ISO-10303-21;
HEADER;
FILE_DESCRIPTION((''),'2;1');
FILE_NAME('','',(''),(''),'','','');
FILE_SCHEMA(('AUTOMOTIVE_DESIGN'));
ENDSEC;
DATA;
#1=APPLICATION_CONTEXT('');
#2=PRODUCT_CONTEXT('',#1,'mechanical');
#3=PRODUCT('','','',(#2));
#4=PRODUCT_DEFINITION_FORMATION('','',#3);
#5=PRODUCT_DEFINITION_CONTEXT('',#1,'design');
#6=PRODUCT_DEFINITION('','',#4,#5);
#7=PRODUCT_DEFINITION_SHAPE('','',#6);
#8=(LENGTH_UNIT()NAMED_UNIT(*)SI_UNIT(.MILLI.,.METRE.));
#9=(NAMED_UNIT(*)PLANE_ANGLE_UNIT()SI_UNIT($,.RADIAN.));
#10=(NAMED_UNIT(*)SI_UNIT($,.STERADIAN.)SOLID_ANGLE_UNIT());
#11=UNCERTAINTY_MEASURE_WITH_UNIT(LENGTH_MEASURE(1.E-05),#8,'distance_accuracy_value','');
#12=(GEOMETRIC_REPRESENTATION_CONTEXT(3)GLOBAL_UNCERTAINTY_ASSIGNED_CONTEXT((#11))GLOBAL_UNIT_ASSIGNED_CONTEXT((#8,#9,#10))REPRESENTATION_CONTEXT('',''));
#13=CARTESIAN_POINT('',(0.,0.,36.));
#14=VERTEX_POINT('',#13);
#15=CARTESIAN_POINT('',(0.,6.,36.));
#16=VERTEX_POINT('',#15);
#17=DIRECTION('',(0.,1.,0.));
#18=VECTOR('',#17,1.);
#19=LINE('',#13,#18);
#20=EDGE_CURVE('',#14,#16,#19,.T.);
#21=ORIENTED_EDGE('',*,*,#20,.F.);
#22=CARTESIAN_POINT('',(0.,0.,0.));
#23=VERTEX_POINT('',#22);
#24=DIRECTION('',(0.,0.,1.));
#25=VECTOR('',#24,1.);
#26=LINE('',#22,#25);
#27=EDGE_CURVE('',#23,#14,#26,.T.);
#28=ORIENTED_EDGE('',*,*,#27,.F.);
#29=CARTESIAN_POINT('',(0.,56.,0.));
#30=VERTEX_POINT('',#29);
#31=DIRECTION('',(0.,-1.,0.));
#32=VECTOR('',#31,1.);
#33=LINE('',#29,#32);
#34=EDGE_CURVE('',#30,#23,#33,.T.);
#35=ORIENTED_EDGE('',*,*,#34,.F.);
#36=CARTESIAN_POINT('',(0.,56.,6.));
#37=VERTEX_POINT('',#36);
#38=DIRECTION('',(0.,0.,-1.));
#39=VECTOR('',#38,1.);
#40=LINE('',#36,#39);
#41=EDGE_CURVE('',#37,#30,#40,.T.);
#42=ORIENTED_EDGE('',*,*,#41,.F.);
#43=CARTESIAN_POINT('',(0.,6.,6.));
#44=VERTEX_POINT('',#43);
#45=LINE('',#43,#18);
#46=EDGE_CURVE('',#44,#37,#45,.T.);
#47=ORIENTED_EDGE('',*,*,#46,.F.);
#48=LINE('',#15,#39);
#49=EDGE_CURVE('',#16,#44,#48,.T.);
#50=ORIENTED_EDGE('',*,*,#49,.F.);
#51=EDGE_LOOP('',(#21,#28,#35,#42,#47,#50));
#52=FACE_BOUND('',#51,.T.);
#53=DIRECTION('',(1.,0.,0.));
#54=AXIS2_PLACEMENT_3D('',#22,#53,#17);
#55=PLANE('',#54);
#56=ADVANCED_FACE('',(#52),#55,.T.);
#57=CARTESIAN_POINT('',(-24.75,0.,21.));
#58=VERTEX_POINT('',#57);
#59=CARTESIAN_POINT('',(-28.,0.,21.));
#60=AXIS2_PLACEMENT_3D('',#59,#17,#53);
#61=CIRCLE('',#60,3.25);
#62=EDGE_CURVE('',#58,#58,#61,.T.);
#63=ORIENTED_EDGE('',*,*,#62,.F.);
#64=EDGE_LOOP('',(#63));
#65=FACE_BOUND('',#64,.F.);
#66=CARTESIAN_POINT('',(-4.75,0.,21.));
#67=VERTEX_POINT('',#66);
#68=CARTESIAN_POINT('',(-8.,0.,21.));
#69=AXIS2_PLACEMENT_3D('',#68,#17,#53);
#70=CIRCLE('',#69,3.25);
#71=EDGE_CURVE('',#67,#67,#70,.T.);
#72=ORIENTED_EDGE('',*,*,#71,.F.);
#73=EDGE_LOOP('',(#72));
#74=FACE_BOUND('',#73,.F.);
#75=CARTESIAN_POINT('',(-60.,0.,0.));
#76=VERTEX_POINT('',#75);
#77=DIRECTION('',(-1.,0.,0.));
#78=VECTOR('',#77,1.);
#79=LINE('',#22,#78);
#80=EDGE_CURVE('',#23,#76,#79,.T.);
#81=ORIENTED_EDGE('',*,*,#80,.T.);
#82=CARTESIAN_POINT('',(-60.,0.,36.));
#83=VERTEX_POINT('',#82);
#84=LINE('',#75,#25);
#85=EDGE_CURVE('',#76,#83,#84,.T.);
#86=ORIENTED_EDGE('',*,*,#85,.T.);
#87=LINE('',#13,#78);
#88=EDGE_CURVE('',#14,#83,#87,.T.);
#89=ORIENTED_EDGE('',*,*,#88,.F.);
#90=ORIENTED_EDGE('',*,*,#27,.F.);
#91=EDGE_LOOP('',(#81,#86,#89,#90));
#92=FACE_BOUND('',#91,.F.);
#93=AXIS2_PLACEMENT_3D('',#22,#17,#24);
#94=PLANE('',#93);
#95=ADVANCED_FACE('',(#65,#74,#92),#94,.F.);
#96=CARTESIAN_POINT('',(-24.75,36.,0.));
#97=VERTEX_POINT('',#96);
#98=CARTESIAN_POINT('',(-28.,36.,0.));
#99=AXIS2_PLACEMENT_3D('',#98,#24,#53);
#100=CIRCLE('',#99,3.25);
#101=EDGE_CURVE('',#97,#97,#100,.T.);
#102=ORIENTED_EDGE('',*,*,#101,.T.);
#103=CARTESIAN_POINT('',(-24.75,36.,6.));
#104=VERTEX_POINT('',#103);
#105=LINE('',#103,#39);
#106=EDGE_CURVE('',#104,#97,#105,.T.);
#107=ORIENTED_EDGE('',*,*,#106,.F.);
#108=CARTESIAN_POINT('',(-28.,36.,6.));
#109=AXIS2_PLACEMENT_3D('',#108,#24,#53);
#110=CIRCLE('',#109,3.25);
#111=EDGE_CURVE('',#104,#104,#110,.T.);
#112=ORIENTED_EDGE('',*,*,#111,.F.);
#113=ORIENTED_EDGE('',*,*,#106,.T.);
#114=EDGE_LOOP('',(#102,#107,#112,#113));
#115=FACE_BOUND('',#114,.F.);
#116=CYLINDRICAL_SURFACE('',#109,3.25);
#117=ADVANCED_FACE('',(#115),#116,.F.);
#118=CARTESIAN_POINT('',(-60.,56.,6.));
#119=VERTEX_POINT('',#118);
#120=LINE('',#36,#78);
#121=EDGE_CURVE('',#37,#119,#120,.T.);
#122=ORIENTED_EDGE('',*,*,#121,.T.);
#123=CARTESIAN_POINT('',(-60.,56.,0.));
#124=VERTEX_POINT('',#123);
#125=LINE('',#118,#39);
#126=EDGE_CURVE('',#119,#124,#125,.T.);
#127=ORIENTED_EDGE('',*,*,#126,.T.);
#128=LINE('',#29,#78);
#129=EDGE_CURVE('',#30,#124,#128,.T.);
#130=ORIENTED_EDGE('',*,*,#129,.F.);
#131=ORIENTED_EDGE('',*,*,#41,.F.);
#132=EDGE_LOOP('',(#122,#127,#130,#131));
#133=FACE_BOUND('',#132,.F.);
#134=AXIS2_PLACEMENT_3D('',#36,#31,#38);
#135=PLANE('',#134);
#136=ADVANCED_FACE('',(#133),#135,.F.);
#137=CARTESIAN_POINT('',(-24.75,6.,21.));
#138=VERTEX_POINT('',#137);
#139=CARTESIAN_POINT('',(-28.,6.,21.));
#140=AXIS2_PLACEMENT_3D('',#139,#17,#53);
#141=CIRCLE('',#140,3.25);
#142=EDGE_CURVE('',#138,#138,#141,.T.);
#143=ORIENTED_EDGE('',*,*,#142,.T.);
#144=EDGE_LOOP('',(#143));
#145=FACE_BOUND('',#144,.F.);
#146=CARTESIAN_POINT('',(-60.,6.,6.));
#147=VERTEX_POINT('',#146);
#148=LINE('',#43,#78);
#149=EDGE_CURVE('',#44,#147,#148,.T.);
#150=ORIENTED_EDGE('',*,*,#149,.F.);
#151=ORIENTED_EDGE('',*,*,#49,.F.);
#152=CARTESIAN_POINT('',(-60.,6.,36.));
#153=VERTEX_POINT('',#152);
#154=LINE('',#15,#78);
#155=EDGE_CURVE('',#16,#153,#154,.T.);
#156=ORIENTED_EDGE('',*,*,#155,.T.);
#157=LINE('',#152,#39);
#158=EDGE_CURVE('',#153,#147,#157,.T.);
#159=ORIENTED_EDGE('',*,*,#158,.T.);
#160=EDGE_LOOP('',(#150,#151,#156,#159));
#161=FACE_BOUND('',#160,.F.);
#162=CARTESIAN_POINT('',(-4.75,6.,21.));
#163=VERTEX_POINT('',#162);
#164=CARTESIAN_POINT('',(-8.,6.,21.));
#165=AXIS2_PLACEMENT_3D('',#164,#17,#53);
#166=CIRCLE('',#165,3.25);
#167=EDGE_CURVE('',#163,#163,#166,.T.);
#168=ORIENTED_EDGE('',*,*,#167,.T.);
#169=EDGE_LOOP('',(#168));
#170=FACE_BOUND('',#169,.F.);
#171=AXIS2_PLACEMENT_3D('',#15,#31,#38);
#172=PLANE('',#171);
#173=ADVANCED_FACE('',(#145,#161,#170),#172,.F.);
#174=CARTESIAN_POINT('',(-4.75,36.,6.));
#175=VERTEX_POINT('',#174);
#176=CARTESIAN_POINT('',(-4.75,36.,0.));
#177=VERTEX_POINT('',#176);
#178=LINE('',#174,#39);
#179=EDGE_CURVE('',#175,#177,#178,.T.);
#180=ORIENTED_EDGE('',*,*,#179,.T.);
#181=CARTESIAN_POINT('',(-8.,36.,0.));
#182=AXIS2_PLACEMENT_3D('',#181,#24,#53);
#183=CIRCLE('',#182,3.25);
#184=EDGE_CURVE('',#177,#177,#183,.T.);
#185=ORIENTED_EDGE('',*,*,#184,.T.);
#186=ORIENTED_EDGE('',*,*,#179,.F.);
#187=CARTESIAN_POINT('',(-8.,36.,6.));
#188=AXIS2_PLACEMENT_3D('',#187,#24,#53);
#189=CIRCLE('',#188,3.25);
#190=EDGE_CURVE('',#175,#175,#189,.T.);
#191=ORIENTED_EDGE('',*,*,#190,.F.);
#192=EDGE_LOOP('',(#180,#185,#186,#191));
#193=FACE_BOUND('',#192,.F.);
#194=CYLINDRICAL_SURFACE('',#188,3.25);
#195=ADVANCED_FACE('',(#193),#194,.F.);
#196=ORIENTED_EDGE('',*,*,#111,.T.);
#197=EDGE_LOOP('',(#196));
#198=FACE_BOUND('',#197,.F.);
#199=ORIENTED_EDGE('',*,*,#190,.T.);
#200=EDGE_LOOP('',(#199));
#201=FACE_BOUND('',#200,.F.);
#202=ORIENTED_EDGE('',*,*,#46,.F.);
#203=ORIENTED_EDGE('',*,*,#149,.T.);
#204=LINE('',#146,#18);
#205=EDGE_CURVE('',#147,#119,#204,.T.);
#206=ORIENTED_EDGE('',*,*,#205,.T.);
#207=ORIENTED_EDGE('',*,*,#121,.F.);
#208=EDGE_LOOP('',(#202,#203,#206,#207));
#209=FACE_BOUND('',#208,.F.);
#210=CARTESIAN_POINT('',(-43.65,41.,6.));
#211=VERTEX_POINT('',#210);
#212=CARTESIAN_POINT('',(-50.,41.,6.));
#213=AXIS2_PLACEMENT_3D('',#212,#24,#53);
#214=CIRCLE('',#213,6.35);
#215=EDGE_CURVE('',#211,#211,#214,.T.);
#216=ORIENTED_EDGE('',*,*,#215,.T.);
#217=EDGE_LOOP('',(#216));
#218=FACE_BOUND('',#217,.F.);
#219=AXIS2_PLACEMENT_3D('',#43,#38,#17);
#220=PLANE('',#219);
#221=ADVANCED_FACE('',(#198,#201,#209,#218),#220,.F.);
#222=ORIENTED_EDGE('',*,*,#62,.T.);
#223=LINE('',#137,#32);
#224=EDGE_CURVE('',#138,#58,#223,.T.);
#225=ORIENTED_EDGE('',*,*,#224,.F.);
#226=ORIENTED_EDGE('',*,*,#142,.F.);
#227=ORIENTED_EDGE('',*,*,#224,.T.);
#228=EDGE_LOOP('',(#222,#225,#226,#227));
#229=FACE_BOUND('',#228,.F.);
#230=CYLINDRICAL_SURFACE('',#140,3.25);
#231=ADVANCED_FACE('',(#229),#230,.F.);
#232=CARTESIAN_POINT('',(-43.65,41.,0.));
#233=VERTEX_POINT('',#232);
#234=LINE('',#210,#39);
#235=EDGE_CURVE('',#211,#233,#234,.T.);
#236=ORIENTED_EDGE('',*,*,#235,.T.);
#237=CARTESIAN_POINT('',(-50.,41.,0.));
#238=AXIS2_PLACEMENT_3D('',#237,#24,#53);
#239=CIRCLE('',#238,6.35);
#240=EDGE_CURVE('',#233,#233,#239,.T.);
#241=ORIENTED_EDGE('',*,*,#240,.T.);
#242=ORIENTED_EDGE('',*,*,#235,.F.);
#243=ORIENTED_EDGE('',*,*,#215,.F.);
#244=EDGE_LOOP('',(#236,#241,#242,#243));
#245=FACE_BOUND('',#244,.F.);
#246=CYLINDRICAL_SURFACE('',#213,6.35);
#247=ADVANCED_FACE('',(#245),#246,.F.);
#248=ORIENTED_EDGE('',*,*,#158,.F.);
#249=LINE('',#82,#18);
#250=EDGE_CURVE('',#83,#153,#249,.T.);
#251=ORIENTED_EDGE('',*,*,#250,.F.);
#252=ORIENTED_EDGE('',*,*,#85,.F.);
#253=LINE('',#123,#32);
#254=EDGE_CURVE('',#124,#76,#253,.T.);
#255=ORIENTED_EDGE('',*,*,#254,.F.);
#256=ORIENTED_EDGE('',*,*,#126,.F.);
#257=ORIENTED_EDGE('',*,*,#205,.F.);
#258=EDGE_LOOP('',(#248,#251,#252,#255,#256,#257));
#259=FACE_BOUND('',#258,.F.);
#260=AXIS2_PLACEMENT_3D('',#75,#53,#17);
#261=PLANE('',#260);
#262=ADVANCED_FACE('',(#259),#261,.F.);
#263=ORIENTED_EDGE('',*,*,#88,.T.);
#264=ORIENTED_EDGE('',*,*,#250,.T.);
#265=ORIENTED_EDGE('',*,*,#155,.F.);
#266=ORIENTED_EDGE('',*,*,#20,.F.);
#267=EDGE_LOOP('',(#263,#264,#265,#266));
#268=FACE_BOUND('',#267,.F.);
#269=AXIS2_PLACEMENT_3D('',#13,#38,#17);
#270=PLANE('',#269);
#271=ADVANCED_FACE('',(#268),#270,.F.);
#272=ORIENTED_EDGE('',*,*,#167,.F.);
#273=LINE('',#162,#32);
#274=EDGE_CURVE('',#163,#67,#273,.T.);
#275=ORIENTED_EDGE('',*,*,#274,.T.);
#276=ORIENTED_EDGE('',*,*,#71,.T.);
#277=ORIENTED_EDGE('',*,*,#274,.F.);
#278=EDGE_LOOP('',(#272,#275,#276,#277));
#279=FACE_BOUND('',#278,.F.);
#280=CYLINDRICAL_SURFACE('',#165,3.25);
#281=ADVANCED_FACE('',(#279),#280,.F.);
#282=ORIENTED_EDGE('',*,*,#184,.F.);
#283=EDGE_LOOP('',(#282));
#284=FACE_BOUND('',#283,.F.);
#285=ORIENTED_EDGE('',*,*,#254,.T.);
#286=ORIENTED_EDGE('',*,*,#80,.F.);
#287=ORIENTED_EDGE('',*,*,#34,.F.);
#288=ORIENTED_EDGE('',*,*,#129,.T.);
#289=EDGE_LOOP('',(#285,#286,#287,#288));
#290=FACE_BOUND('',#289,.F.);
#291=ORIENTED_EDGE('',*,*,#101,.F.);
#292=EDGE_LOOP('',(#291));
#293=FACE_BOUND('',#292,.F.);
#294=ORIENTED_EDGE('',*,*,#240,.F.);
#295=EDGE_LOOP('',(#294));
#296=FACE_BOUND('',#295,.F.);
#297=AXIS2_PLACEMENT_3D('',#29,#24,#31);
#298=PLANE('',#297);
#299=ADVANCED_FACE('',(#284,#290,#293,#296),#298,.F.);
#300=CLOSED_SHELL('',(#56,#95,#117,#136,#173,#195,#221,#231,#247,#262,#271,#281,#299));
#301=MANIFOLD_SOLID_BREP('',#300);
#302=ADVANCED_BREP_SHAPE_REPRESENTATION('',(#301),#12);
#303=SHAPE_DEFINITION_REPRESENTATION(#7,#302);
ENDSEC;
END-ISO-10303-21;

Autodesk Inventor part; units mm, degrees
ref_plane "YZ Plane" through (0, 0, 0) normal (1, 0, 0) x (0, 1, 0)
ref_plane "XZ Plane" through (0, 0, 0) normal (0, 1, 0) x (-1, 0, 0)
ref_plane "XY Plane" through (0, 0, 0) normal (0, 0, 1) x (1, 0, 0)
sketch "Sketch1" plane through (0, 0, 0) normal (1, 0, 0) x (0, 1, 0)
  line L0 (0, 0) -> (0, 36)
  line L1 (0, 36) -> (6, 36)
  line L2 (6, 36) -> (6, 6)
  line L3 (6, 6) -> (56, 6)
  line L4 (56, 6) -> (56, 0)
  line L5 (56, 0) -> (0, 0)
  dimension "d0" = 36
  dimension "d1" = 6
  dimension "d2" = 30
  dimension "d3" = 50
  dimension "d4" = 6
  dimension "d5" = 56
extrude "Extrusion1" add sketch "Sketch1" against normal blind 60
sketch "Sketch2" plane through (0, 6, 36) normal (0, 1, 0) x (1, 0, 0)
  circle A0 centre (-28, 15) radius 3.25
  circle A1 centre (-8, 15) radius 3.25
  line L0 (0, 0) -> (-60, 0) projected
  line L1 (0, 30) -> (0, 0) projected
  line L2 (-60, 0) -> (-60, 30) projected
  line L3 (-60, 30) -> (-20.277, 30) construction
  point P0 (0, 36)
  point P1 (-5.4498, 30)
  dimension "d8" = 6.5
  dimension "d9" = 6.5
  dimension "d10" = 20
  dimension "d11" = 15
  dimension "d12" = 15
  dimension "d13" = 8
sketch "Sketch3" plane through (0, 6, 6) normal (0, 0, 1) x (1, 0, 0)
  circle A0 centre (-28, 30) radius 3.25
  line L0 (-60, 0) -> (-60, 50) projected
  line L1 (0, 50) -> (-60, 50) projected
  circle A1 centre (-8, 30) radius 3.25
  point P0 (0, -6)
  dimension "d14" = 6.5
  dimension "d15" = 32
  dimension "d16" = 20
  dimension "d17" = 6.5
  dimension "d18" = 20
extrude "Extrusion2" cut sketch "Sketch3" against normal blind 6
extrude "Extrusion3" cut sketch "Sketch2" against normal blind 6
sketch "Sketch4" plane through (0, 6, 6) normal (0, 0, 1) x (1, 0, 0)
  circle A0 centre (-50, 35) radius 6.35
  line L0 (0, 50) -> (0, 0)
  line L1 (0, 50) -> (-60, 50)
  line L2 (-60, 0) -> (-60, 50) projected
  point P0 (0, -6)
  point P1 (0, 25)
  dimension "d23" = 12.7
  dimension "d27" = 15
  dimension "d29" = 10
extrude "Extrusion4" cut sketch "Sketch4" against normal blind 6
properties part number "Base_Connector2"
